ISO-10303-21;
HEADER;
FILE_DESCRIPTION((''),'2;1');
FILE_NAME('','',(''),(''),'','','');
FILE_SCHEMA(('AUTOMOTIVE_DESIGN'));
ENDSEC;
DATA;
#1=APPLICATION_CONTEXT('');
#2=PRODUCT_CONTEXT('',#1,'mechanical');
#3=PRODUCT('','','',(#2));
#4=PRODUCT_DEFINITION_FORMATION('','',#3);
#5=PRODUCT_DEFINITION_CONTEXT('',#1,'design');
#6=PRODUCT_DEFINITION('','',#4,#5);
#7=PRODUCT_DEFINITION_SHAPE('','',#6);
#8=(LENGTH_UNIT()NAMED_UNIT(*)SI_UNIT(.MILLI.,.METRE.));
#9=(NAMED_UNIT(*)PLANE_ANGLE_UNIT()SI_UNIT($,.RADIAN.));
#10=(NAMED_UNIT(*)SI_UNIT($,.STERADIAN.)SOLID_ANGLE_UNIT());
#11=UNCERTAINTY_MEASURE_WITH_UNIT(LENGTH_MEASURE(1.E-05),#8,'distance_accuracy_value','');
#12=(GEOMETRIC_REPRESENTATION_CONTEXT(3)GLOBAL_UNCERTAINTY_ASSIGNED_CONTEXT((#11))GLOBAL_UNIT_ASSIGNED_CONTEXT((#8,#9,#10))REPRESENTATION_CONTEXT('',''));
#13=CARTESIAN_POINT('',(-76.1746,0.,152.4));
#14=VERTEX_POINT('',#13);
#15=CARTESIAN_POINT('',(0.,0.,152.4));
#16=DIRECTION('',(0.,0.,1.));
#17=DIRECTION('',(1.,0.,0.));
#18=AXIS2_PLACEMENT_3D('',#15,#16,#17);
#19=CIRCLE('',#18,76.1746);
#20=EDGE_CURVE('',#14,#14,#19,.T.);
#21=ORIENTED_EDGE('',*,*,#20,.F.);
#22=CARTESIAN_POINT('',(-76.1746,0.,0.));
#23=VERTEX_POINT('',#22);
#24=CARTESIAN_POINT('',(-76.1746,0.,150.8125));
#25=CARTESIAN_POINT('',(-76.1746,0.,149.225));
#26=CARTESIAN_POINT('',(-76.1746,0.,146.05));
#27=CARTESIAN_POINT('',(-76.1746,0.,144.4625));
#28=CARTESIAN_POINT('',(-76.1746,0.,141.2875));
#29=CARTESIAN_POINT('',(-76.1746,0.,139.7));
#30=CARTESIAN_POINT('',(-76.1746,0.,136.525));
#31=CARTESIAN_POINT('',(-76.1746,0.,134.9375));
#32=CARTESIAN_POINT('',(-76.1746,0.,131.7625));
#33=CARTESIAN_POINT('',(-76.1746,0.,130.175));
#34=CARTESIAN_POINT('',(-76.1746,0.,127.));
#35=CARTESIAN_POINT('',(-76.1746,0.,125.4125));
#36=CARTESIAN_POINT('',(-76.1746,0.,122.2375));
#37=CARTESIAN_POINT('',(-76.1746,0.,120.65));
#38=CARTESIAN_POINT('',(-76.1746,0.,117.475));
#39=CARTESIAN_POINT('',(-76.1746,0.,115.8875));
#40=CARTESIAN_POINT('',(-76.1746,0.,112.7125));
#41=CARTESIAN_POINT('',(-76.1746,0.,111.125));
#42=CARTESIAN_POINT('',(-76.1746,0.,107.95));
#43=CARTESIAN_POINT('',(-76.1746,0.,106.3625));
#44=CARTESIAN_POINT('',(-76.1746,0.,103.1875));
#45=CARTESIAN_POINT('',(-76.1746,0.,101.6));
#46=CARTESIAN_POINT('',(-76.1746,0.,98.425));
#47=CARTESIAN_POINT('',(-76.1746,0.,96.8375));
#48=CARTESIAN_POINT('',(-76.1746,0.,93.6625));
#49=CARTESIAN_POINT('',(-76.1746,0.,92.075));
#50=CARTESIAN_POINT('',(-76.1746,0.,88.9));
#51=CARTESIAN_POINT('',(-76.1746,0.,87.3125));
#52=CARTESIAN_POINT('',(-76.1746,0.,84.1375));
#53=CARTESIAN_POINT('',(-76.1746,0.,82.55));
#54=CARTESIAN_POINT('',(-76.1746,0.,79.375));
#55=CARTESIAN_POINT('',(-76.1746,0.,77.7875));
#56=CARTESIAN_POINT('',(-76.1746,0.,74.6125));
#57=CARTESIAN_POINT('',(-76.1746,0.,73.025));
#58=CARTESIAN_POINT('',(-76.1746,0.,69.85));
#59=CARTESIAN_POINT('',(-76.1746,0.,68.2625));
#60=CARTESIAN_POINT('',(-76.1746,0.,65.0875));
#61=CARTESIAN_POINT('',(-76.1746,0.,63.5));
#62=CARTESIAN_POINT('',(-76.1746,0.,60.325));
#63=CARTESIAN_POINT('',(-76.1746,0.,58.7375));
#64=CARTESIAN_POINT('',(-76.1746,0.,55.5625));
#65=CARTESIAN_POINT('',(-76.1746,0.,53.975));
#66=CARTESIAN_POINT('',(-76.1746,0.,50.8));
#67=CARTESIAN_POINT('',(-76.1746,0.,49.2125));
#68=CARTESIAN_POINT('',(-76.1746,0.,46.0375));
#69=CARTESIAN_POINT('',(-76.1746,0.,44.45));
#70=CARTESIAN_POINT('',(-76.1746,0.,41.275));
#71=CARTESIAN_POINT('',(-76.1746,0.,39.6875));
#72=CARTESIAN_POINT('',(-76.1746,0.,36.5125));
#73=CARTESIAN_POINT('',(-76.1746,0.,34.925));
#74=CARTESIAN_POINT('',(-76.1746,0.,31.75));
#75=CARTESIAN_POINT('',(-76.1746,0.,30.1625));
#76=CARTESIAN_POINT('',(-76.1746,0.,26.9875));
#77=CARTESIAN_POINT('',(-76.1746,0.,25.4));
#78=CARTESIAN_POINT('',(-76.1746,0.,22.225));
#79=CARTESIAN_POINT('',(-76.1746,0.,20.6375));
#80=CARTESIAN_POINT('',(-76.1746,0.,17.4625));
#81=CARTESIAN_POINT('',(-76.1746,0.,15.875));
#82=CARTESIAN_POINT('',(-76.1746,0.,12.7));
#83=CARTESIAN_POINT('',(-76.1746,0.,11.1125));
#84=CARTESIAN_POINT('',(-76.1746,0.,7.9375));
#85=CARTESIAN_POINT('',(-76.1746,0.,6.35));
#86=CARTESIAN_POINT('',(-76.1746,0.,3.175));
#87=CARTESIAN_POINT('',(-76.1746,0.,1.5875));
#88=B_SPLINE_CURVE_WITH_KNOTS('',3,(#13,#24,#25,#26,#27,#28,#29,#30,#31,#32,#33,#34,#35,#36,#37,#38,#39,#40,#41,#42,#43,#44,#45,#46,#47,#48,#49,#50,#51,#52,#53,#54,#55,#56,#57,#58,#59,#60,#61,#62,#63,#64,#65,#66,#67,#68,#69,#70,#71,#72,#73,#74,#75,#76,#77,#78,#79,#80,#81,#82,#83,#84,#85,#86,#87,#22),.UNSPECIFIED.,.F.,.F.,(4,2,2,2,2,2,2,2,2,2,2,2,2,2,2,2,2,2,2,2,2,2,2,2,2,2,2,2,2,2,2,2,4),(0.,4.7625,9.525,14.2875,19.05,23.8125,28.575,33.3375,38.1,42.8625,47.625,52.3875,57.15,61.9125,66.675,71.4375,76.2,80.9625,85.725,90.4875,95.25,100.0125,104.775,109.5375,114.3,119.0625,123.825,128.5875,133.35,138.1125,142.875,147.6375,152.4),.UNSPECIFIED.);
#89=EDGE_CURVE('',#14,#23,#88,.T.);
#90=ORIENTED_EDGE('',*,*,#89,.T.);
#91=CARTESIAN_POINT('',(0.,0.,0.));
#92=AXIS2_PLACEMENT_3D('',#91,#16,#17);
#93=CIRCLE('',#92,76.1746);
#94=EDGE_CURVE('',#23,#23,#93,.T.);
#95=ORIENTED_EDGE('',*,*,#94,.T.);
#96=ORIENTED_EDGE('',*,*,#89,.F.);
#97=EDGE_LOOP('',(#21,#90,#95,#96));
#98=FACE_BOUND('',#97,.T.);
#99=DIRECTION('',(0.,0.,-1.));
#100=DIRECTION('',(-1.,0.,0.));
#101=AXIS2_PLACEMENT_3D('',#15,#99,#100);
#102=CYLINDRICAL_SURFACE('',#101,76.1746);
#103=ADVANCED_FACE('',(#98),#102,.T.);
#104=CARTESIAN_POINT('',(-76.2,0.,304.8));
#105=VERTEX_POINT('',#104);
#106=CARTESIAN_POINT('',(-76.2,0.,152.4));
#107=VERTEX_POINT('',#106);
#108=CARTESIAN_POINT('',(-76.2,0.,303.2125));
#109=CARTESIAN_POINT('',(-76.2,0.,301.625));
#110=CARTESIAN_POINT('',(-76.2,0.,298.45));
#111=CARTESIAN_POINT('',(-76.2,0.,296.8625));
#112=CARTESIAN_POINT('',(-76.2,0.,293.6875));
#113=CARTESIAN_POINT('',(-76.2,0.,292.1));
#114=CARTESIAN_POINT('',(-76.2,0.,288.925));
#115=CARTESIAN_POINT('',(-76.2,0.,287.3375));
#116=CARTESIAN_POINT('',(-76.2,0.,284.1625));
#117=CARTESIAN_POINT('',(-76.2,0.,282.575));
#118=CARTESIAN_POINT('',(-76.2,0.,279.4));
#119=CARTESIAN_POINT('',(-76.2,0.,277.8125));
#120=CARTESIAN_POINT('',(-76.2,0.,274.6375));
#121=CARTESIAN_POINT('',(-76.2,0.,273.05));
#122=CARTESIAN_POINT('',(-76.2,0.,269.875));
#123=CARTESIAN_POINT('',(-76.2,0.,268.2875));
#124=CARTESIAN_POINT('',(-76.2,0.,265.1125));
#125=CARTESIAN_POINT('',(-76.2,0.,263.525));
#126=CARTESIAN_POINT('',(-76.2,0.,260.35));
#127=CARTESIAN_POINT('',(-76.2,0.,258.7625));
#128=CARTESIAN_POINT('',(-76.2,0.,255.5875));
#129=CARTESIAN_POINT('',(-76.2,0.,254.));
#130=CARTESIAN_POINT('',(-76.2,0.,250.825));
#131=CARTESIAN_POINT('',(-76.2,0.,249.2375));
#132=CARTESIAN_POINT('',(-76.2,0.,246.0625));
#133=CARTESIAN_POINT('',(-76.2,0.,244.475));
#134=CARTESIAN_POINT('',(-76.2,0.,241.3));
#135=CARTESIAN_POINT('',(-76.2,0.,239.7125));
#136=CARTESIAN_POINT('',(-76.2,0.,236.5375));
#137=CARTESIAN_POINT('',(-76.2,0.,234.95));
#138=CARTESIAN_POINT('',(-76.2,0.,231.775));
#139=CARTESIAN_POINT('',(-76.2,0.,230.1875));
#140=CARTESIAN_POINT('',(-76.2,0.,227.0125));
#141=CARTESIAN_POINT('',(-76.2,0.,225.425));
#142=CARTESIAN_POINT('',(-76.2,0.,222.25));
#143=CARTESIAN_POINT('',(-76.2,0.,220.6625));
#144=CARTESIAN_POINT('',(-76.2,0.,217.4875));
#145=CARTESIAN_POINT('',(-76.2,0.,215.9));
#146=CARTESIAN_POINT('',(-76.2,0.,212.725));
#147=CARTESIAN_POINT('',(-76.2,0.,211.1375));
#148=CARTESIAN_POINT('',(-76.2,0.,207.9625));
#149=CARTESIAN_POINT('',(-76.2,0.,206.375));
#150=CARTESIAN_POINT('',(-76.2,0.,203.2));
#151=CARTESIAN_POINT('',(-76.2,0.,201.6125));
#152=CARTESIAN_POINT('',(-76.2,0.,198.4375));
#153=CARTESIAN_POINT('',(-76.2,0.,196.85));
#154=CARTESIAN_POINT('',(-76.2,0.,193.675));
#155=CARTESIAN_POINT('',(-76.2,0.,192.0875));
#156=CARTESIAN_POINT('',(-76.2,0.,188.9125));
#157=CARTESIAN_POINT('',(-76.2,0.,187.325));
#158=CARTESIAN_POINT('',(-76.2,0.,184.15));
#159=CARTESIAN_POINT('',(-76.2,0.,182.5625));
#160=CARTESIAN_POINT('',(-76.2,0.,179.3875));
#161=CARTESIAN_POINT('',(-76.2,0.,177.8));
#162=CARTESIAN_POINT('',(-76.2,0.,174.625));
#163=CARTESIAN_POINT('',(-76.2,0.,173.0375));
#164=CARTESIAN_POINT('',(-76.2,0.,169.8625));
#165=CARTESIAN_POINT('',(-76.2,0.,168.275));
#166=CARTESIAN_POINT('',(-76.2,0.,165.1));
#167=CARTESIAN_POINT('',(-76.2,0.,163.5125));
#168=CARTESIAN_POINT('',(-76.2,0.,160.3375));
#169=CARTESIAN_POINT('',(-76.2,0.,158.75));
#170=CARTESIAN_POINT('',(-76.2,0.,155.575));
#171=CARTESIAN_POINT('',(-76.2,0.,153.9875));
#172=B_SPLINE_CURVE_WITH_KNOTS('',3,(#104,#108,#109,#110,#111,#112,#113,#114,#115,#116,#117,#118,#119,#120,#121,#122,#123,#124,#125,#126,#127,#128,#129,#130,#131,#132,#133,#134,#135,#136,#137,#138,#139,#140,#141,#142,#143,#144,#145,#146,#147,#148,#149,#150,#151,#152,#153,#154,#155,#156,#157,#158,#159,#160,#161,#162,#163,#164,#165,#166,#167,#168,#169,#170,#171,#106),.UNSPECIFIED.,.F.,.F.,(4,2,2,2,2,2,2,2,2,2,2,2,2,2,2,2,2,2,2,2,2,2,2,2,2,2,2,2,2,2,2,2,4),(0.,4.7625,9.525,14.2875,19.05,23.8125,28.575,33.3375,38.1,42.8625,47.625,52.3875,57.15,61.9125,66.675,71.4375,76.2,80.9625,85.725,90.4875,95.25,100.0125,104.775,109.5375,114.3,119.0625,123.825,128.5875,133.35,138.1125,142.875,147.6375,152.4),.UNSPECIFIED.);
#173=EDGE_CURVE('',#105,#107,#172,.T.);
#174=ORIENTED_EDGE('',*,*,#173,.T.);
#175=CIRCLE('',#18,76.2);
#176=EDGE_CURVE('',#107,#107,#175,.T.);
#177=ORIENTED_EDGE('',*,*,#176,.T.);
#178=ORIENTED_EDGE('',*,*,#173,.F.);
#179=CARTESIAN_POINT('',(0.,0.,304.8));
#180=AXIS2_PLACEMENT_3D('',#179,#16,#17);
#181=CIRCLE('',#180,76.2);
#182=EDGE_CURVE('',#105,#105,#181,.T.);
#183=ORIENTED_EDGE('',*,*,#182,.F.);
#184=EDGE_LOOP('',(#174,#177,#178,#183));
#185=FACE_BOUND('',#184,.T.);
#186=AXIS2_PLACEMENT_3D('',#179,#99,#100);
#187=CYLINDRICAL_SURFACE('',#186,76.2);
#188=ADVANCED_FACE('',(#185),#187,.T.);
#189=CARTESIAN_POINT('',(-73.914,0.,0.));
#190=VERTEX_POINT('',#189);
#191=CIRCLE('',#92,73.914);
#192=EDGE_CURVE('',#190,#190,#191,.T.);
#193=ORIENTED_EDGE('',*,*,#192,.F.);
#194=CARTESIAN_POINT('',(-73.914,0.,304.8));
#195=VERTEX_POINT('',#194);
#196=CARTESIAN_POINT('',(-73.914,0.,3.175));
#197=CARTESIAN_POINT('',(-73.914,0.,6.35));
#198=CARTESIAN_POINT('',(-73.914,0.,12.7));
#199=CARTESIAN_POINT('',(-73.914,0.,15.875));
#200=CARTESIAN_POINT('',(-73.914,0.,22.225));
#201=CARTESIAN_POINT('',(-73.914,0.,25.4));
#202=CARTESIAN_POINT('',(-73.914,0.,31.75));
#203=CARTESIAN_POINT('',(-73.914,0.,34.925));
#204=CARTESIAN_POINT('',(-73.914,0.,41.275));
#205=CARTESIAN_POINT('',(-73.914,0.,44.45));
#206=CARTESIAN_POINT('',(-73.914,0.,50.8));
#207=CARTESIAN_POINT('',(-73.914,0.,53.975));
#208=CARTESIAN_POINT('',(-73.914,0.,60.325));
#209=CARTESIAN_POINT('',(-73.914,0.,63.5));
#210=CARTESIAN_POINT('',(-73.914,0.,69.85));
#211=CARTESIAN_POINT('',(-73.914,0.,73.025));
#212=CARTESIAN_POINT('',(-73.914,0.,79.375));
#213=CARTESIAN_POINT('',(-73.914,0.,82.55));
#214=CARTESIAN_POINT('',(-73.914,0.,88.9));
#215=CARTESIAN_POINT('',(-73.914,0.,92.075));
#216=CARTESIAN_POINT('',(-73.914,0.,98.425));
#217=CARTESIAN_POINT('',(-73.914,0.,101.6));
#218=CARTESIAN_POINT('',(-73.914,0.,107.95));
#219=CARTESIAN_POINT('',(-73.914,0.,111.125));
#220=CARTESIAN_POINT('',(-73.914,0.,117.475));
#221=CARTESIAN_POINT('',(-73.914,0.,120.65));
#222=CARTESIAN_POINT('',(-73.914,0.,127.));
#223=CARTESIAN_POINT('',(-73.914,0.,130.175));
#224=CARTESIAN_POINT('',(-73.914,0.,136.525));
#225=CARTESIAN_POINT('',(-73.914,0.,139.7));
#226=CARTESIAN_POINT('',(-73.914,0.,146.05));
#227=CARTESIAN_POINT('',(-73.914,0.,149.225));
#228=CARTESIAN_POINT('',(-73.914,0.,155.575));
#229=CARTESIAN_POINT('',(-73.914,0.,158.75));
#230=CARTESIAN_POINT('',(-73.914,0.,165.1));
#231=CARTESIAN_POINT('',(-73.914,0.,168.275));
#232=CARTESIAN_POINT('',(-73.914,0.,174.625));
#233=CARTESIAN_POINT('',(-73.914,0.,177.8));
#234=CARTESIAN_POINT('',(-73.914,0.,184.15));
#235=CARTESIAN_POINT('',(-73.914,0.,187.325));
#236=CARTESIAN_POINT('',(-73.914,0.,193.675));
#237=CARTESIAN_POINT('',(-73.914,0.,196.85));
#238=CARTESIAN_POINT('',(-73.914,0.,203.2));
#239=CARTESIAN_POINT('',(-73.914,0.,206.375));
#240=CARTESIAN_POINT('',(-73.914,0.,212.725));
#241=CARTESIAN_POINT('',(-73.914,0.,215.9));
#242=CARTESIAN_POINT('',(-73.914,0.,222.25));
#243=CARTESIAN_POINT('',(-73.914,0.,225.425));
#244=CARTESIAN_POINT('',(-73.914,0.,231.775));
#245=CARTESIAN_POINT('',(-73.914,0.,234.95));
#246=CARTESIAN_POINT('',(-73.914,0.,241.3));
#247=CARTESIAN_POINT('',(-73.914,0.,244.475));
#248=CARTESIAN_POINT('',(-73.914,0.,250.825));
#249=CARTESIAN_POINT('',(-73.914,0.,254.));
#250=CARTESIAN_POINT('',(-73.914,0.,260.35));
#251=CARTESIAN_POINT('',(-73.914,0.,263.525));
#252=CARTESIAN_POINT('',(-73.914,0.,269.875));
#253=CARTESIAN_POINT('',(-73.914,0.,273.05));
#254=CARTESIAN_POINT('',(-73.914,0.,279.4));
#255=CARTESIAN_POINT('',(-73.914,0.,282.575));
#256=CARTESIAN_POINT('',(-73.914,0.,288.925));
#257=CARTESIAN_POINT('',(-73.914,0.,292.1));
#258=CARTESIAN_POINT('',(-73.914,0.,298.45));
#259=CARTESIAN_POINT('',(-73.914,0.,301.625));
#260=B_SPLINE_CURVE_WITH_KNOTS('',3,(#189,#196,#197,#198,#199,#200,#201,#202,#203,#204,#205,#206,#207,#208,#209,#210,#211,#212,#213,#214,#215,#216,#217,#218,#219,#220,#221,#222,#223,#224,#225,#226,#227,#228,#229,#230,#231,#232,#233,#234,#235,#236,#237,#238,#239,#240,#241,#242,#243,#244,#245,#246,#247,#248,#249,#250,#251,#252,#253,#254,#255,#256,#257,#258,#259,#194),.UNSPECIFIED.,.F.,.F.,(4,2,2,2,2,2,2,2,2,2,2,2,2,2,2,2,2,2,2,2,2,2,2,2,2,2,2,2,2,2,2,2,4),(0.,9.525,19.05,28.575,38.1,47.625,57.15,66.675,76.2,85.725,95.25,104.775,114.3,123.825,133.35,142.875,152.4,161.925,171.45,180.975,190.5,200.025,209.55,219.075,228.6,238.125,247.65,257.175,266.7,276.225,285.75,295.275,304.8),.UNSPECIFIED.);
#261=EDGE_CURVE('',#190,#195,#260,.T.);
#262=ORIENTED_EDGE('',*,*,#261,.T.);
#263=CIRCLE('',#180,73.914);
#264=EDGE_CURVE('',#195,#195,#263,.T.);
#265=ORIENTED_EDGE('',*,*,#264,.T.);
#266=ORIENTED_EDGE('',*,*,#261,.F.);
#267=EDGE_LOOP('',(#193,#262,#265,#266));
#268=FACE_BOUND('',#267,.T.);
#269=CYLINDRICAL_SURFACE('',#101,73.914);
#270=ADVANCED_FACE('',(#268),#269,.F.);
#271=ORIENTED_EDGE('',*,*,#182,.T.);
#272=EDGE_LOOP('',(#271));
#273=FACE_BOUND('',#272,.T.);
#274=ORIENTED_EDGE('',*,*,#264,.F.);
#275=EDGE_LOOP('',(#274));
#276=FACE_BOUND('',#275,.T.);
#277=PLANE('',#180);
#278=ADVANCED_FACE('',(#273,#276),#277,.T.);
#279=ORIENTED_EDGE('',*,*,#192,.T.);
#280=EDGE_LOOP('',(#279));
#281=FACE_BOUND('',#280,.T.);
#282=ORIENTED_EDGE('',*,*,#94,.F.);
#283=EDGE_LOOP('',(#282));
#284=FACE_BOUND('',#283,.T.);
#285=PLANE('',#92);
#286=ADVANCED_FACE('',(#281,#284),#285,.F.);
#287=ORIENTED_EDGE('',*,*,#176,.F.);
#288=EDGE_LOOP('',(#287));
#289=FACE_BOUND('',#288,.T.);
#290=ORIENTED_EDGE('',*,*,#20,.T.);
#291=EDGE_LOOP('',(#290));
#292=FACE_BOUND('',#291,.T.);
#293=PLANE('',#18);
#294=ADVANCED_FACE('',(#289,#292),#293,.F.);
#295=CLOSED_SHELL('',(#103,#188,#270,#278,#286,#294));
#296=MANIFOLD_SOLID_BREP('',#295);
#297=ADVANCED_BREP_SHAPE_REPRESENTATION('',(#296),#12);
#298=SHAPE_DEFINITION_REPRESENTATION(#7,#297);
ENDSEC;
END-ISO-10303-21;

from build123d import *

# Parameters (mm, degrees)
ESQUISSE2_R        = 76.1746
ESQUISSE2_R_2      = 73.914
BOSS_EXTRU_1_DEPTH = 152.4
ESQUISSE3_R        = 76.2
ESQUISSE3_R_2      = 73.914
BOSS_EXTRU_2_DEPTH = 152.4


with BuildPart() as part:
    # Esquisse2 → Boss.-Extru.1 (new body)
    with BuildSketch(Plane.XY):
        with Locations(Location((0, 0, 0), (0, 0, 180))):
            Circle(ESQUISSE2_R)
        with Locations(Location((0, 0, 0), (0, 0, 180))):
            Circle(ESQUISSE2_R_2, mode=Mode.SUBTRACT)
    extrude(amount=BOSS_EXTRU_1_DEPTH)

    # Esquisse3 → Boss.-Extru.2 (add)
    with BuildSketch(Plane.XY.offset(152.4)):
        with Locations(Location((0, 0, 0), (0, 0, 180))):
            Circle(ESQUISSE3_R)
        with Locations(Location((0, 0, 0), (0, 0, 180))):
            Circle(ESQUISSE3_R_2, mode=Mode.SUBTRACT)
    extrude(amount=BOSS_EXTRU_2_DEPTH)


solid = part.part
